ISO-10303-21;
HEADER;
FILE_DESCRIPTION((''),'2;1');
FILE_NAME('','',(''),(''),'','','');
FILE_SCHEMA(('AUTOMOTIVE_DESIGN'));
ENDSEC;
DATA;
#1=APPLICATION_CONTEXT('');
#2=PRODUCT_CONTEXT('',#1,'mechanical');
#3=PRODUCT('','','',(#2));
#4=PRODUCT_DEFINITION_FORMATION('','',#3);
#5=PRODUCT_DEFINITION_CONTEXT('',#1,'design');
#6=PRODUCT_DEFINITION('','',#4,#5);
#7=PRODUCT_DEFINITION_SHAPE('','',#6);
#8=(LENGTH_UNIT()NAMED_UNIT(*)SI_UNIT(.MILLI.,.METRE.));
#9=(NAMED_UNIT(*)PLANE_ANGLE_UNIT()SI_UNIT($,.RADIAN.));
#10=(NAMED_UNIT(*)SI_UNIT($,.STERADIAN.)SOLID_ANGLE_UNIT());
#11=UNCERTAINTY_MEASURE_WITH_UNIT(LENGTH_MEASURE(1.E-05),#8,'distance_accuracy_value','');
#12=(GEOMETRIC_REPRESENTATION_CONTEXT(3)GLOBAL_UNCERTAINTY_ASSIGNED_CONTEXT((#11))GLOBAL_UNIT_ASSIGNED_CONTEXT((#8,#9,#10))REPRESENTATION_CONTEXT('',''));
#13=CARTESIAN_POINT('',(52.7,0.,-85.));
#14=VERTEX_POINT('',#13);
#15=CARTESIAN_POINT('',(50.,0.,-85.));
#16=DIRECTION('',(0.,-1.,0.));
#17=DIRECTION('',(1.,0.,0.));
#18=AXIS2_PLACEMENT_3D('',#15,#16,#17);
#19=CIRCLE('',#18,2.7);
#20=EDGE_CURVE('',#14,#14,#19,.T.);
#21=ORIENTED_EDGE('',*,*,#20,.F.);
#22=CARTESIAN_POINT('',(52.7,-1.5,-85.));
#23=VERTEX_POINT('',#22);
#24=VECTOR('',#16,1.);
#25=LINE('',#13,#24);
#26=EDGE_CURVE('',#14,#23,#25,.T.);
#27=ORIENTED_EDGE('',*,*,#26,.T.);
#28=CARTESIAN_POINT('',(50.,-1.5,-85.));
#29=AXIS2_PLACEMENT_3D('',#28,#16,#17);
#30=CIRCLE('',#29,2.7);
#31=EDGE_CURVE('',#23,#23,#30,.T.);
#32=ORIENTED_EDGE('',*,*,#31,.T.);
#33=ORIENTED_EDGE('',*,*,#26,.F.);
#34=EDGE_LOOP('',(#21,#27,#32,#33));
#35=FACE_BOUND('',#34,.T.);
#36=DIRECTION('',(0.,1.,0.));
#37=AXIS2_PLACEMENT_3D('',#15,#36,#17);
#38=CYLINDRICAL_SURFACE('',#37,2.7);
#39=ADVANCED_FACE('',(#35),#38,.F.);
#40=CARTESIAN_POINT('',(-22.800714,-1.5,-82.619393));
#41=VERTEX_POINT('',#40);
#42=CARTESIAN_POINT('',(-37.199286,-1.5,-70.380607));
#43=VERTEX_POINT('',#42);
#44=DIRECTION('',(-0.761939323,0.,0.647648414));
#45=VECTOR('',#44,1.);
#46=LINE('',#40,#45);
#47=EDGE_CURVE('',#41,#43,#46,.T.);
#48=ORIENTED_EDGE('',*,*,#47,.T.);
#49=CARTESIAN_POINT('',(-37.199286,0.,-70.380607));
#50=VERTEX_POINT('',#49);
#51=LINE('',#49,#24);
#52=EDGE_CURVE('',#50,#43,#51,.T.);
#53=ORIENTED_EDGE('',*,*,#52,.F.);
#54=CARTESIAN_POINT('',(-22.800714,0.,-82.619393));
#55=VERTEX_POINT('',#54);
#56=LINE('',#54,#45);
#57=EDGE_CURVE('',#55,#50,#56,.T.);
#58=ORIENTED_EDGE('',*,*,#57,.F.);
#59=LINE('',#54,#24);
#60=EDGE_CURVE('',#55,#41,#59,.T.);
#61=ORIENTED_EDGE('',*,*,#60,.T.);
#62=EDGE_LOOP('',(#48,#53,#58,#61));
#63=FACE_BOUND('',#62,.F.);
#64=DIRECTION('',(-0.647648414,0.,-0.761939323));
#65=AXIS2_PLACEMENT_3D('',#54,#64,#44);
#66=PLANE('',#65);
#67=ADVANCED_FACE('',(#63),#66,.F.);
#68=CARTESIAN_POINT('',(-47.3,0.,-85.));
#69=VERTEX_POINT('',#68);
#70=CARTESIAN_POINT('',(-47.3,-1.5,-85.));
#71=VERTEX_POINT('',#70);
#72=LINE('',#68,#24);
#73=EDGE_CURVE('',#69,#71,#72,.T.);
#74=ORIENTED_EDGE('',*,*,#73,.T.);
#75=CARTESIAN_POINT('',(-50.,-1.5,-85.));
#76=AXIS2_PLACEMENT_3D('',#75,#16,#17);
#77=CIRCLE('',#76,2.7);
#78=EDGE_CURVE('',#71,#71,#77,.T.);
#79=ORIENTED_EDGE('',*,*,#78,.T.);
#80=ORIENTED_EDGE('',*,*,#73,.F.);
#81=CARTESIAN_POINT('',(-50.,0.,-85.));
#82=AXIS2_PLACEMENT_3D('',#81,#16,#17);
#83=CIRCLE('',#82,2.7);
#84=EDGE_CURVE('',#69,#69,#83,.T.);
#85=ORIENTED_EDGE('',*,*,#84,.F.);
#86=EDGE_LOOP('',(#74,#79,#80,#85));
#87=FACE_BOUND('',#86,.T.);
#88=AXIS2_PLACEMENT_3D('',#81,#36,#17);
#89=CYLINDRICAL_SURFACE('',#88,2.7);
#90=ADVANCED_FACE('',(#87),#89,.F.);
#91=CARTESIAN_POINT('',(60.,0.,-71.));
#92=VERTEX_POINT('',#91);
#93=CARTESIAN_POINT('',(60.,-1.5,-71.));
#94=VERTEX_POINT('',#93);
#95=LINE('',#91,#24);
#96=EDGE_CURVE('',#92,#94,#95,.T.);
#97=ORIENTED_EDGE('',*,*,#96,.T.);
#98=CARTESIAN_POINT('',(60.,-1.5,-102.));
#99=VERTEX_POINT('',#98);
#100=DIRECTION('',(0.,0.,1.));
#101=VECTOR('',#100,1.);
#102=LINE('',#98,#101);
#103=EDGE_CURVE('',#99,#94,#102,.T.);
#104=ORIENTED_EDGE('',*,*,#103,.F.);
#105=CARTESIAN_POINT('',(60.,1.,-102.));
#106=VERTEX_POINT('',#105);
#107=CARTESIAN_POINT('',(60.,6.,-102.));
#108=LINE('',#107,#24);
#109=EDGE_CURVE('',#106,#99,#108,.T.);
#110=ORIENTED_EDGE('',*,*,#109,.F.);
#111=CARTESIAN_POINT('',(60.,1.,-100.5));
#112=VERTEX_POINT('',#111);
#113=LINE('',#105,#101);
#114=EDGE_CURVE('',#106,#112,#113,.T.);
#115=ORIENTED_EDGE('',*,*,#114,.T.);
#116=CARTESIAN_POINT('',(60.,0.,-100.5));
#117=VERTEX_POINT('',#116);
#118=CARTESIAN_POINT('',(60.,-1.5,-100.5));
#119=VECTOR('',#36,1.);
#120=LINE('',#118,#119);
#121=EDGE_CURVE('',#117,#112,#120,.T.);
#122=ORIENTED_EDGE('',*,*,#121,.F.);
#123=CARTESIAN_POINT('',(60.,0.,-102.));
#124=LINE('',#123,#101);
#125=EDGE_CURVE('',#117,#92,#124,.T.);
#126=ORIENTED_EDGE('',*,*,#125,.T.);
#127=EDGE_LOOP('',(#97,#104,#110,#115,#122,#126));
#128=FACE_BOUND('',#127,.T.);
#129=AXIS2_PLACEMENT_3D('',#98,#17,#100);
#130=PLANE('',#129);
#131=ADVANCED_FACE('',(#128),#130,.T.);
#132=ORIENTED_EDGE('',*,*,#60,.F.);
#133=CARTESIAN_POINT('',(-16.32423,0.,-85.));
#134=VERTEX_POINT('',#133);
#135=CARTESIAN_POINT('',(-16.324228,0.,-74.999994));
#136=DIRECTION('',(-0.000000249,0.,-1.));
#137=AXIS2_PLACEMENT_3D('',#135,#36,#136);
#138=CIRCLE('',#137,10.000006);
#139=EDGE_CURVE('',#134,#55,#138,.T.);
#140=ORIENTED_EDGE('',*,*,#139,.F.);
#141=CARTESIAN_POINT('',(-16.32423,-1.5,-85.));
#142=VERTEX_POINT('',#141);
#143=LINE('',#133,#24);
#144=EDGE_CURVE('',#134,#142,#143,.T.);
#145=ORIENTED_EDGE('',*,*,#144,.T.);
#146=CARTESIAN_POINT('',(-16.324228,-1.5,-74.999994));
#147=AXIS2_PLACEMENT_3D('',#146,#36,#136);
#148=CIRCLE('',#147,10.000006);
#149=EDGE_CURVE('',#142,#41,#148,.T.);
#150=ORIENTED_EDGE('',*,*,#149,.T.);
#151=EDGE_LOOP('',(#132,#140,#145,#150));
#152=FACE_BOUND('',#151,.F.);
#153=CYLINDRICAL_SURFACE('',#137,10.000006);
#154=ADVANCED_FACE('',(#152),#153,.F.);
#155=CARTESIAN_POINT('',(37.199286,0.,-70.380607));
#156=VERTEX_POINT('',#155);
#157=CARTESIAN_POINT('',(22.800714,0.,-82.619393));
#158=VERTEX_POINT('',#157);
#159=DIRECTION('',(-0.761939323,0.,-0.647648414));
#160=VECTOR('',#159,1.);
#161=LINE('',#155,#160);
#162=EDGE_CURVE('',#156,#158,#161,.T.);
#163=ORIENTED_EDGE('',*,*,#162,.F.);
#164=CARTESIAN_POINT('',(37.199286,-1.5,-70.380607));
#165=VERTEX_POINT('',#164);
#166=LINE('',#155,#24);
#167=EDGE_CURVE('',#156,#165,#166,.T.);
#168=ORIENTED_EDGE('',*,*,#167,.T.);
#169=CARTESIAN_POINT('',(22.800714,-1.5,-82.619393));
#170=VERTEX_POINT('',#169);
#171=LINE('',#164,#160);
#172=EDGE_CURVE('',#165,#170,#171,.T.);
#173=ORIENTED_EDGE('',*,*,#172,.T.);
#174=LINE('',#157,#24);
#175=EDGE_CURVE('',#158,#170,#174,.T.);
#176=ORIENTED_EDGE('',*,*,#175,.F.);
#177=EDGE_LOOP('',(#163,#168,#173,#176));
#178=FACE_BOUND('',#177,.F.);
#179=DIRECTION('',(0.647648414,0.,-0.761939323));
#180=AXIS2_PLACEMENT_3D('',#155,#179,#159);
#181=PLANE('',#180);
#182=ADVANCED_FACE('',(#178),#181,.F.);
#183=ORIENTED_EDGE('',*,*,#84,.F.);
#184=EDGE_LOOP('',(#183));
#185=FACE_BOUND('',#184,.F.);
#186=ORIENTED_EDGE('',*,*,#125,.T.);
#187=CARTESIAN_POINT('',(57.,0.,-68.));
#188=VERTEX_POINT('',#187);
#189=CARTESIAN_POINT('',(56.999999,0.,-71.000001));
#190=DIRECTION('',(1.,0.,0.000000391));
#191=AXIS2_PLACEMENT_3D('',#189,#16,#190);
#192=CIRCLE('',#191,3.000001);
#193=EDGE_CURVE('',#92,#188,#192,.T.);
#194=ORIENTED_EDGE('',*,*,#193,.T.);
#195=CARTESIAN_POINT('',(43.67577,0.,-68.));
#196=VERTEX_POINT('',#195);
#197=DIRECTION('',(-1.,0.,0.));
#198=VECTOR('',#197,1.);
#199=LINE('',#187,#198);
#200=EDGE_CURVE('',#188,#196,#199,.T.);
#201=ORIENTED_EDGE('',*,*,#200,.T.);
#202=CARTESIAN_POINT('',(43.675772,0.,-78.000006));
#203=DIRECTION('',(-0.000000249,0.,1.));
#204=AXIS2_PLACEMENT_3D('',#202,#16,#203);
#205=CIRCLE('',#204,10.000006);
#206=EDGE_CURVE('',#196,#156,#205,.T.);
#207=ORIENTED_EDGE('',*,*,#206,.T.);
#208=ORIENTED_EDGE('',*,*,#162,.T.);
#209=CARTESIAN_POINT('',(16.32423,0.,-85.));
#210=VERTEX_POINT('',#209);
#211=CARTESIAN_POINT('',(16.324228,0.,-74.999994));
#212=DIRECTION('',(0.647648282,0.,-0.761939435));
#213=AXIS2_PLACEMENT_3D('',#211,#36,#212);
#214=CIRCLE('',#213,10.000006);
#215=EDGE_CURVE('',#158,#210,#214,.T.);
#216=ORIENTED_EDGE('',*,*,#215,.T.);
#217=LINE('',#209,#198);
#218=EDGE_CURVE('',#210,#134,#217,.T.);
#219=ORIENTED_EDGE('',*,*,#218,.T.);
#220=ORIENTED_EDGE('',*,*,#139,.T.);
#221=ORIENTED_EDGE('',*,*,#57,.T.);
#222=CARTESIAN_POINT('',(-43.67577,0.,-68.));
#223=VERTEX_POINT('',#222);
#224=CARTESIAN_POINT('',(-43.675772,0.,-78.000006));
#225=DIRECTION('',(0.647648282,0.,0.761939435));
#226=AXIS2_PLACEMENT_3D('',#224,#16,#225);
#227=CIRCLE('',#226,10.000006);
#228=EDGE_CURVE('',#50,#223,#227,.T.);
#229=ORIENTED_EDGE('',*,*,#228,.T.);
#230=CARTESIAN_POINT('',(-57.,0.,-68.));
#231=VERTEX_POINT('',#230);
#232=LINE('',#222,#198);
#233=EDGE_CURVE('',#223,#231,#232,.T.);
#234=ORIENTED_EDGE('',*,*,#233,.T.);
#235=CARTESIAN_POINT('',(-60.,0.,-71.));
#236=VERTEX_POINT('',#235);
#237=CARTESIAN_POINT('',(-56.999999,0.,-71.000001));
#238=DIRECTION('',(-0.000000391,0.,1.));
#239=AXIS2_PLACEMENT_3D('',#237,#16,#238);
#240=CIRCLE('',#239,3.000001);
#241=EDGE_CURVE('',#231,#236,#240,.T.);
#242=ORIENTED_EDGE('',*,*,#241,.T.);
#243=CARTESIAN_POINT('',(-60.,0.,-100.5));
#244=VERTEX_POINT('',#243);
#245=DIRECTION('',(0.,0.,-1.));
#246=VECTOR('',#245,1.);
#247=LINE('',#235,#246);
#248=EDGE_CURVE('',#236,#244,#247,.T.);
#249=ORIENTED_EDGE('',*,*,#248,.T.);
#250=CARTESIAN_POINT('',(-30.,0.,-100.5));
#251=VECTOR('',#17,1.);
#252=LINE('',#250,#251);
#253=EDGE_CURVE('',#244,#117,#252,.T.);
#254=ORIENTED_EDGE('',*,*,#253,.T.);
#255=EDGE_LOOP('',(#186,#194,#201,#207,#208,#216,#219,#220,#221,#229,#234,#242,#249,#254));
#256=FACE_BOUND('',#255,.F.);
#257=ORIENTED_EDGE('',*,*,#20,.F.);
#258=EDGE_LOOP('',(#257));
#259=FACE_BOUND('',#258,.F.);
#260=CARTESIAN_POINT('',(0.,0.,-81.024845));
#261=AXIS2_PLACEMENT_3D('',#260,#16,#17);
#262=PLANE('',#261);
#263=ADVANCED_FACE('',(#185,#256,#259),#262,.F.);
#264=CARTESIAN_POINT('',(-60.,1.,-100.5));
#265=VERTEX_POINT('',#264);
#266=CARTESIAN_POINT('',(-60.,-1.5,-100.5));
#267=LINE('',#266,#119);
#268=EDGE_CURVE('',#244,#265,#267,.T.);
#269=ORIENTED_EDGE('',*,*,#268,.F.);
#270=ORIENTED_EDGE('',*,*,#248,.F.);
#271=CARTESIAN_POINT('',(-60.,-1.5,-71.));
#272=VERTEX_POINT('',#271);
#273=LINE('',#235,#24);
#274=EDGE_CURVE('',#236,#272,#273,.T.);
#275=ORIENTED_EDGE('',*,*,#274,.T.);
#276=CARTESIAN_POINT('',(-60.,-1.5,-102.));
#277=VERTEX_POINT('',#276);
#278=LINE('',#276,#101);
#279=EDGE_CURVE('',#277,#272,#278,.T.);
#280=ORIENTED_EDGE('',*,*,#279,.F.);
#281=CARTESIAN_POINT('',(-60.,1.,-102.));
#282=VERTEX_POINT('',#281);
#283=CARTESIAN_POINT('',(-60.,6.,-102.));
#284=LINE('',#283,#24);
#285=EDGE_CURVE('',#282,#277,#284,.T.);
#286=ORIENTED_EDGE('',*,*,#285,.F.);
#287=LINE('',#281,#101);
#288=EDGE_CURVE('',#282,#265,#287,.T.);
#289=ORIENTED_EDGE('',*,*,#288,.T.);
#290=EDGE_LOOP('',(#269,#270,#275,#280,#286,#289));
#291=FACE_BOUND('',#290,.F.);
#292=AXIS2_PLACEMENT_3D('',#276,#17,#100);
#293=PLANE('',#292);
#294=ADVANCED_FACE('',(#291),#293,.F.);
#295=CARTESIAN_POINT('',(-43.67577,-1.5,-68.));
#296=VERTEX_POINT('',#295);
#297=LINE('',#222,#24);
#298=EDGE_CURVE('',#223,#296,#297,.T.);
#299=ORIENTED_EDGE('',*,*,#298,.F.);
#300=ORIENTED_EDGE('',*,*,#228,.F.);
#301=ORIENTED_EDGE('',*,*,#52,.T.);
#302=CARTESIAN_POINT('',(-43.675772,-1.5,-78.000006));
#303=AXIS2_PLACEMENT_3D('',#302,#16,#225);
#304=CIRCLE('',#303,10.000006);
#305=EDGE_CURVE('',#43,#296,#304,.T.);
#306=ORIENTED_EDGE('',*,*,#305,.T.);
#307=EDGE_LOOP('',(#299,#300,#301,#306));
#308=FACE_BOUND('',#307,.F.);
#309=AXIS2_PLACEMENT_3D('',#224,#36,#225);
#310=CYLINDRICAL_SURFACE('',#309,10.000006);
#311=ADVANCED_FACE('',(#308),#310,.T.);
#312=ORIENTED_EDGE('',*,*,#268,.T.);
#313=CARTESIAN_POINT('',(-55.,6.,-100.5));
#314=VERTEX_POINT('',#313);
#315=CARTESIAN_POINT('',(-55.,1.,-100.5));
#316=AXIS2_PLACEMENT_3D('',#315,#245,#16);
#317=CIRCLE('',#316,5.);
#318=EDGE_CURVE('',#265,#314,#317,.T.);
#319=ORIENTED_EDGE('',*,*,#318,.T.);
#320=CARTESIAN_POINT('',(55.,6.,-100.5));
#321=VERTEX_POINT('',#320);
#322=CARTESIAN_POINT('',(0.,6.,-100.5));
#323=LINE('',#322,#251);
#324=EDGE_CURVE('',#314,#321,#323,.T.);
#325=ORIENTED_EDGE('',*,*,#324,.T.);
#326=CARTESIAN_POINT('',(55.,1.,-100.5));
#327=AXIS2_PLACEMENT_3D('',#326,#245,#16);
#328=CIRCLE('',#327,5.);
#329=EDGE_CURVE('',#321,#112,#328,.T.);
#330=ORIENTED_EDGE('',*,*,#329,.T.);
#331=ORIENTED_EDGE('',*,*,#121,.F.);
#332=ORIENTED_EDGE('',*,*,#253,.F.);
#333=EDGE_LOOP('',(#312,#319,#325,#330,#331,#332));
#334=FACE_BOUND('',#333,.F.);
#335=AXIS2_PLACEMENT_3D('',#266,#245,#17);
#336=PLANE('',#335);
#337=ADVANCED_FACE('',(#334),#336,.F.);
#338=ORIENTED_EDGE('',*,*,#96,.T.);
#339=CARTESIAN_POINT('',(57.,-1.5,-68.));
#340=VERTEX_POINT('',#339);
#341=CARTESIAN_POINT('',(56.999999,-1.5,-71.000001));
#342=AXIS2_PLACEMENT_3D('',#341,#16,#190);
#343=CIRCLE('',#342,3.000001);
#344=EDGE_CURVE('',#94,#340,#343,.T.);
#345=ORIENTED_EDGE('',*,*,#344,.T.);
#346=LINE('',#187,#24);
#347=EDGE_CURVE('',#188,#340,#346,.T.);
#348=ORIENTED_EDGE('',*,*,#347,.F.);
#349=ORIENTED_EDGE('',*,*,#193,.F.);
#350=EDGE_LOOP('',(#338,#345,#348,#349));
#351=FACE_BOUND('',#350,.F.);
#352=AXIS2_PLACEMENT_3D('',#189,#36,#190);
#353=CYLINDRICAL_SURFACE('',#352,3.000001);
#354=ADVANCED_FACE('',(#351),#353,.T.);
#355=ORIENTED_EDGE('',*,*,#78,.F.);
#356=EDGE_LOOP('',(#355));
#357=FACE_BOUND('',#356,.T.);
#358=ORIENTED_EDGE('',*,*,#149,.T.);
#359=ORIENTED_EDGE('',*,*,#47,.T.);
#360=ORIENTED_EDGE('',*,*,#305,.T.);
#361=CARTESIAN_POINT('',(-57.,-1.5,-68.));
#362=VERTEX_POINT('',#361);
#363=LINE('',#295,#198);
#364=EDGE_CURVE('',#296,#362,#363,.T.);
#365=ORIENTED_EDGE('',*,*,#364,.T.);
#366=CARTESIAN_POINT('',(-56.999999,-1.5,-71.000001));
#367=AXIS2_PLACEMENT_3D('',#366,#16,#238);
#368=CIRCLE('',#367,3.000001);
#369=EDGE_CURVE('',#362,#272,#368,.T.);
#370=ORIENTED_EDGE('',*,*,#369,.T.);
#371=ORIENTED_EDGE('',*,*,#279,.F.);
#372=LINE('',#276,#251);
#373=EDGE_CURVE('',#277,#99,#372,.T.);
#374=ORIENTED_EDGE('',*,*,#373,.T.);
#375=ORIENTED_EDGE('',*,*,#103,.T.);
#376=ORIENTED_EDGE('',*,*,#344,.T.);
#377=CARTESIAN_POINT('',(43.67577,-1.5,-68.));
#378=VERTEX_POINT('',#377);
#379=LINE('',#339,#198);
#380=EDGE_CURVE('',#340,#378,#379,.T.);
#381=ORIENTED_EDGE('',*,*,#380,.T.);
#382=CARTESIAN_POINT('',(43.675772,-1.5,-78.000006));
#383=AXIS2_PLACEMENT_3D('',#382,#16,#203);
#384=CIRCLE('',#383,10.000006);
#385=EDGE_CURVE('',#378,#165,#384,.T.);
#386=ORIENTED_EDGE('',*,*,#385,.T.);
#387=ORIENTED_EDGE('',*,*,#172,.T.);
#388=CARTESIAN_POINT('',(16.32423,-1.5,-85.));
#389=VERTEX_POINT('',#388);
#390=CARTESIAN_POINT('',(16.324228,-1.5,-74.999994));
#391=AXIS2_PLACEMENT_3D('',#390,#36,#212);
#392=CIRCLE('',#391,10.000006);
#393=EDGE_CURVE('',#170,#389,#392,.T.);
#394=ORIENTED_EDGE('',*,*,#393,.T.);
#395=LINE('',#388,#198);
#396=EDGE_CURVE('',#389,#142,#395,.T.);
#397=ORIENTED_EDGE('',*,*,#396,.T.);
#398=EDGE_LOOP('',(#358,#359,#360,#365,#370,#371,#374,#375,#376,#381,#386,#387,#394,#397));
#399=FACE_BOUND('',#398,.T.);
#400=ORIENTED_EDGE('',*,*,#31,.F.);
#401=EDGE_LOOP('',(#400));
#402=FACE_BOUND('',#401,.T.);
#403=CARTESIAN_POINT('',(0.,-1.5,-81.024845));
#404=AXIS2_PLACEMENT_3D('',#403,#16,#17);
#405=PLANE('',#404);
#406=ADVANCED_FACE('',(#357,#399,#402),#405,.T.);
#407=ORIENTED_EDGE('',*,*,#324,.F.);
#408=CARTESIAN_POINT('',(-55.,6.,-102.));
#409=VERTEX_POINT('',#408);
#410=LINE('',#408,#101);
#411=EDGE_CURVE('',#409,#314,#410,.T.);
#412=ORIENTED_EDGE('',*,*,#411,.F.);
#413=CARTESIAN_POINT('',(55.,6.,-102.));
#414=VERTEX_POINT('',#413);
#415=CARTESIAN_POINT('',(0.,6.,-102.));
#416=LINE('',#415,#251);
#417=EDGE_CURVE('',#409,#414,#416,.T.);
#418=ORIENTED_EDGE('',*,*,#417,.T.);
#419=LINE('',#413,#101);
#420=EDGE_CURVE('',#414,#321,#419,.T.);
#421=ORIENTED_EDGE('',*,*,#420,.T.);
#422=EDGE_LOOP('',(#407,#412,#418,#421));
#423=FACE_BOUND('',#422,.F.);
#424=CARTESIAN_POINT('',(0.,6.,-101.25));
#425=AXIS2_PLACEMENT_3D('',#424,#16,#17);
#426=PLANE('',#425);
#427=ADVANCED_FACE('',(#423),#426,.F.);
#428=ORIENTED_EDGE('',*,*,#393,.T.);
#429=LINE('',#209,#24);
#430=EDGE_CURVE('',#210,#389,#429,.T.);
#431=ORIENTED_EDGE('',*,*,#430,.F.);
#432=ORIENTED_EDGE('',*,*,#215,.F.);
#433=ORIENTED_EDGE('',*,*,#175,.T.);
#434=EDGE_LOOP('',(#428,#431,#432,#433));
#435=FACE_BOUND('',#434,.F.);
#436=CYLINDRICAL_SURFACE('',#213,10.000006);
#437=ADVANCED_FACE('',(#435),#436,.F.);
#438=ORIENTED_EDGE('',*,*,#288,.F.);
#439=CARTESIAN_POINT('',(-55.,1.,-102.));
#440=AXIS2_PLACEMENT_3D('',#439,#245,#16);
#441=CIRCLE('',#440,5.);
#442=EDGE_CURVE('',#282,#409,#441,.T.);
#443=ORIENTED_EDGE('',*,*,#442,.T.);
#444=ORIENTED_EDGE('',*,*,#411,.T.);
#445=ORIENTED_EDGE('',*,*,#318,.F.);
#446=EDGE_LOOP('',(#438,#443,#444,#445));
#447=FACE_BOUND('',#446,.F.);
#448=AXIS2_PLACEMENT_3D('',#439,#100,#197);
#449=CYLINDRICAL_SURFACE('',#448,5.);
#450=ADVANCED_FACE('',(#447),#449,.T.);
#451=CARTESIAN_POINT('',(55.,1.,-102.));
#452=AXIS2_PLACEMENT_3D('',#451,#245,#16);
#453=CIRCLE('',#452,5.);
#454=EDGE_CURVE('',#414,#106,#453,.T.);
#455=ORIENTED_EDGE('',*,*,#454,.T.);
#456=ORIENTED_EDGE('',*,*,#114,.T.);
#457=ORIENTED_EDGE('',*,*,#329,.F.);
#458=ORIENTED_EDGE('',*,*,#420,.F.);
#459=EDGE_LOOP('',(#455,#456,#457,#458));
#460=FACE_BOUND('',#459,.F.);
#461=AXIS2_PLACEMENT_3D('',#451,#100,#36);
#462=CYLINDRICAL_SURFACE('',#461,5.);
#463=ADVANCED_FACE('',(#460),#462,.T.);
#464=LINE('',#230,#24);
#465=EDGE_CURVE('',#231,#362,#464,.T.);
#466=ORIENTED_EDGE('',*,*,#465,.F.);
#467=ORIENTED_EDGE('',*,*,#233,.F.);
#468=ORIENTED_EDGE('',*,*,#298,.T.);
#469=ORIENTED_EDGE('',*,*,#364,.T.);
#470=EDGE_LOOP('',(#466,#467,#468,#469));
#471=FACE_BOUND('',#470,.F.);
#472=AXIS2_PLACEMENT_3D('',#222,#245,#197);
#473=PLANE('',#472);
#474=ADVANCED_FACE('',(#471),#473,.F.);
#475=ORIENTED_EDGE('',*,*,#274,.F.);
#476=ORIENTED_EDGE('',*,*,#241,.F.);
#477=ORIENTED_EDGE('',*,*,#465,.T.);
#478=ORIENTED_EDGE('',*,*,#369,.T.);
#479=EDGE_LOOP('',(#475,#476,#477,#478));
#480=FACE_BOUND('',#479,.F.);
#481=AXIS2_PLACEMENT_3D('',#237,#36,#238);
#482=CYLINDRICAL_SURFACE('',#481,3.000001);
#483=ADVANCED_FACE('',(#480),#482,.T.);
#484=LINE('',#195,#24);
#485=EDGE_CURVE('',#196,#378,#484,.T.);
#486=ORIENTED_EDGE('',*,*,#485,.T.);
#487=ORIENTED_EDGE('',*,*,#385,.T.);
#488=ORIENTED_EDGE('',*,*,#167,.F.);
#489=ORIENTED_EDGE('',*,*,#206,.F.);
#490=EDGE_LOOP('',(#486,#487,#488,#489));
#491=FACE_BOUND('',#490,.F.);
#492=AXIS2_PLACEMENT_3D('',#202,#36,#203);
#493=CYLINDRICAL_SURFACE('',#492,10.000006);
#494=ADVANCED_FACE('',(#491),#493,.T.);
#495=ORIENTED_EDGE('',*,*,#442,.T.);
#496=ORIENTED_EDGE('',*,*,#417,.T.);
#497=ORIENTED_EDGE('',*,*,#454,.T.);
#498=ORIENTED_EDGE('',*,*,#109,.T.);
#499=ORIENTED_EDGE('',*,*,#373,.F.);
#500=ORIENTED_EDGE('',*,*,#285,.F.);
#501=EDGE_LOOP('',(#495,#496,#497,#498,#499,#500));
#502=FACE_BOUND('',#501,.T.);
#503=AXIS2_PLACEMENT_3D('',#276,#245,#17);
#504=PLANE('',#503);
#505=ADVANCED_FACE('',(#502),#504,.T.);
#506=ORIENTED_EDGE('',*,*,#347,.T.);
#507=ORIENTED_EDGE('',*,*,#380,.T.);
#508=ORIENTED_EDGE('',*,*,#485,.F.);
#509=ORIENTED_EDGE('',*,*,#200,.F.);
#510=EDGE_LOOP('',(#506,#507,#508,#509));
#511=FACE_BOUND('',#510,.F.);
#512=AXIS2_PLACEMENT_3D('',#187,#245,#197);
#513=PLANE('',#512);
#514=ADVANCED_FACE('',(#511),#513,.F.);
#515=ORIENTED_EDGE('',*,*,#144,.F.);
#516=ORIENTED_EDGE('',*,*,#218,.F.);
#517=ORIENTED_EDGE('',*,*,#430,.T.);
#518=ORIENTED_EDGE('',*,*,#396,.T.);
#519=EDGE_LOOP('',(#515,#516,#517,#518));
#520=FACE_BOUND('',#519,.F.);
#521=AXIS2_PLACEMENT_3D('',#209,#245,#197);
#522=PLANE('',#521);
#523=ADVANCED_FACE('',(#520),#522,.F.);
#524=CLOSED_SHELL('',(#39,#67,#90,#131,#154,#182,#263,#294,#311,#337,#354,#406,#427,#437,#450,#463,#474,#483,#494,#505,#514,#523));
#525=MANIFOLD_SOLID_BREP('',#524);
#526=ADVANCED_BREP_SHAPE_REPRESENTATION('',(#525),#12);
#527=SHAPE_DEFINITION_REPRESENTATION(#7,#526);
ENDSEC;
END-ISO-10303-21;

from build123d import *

# Parameters (mm, degrees)
F0_R     = 2.7
F1_DEPTH = 1.5
F2_W     = 120
F2_H     = 1.5
F3_DEPTH = 7.5
F4_R     = 5


with BuildPart() as f1:
    # F0 (on Front) → F1 (new body)
    with BuildSketch(Plane.XZ):
        with BuildLine():
            Line((-60, -71), (-60, -73.654599))
            ThreePointArc((-60, -73.654599), (0, -95), (60, -73.654599))
            Line((60, -73.654599), (60, -71))
            ThreePointArc((60, -71), (59.12132, -68.87868), (57, -68))
            Line((57, -68), (43.67577, -68))
            ThreePointArc((43.67577, -68), (40.225693, -68.614002), (37.199286, -70.380607))
            Line((37.199286, -70.380607), (22.800714, -82.619393))
            ThreePointArc((22.800714, -82.619393), (19.774307, -84.385998), (16.32423, -85))
            Line((16.32423, -85), (0, -85))
            Line((0, -85), (-16.32423, -85))
            ThreePointArc((-16.32423, -85), (-19.774307, -84.385998), (-22.800714, -82.619393))
            Line((-22.800714, -82.619393), (-37.199286, -70.380607))
            ThreePointArc((-37.199286, -70.380607), (-40.225693, -68.614002), (-43.67577, -68))
            Line((-43.67577, -68), (-57, -68))
            ThreePointArc((-57, -68), (-59.12132, -68.87868), (-60, -71))
        make_face()
        with BuildLine():
            ThreePointArc((60, -73.654599), (0, -95), (-60, -73.654599))
            Line((-60, -73.654599), (-60, -102))
            Line((-60, -102), (60, -102))
            Line((60, -102), (60, -73.654599))
        make_face()
        with Locations((-50, -85)):
            Circle(F0_R, mode=Mode.SUBTRACT)
        with Locations((50, -85)):
            Circle(F0_R, mode=Mode.SUBTRACT)
    extrude(amount=F1_DEPTH)

    # F2 (on face) → F3 (join)
    with BuildSketch(Plane.XZ.offset(1.5)):
        with Locations((0, -101.25)):
            Rectangle(F2_W, F2_H)
    extrude(amount=-F3_DEPTH)

    # F4
    f4_edges = [f1.edges().sort_by_distance(p)[0] for p in [
        (60, 6, -101.25),
        (-60, 6, -101.25),
    ]]
    fillet(f4_edges, radius=F4_R)


solid = f1.part
